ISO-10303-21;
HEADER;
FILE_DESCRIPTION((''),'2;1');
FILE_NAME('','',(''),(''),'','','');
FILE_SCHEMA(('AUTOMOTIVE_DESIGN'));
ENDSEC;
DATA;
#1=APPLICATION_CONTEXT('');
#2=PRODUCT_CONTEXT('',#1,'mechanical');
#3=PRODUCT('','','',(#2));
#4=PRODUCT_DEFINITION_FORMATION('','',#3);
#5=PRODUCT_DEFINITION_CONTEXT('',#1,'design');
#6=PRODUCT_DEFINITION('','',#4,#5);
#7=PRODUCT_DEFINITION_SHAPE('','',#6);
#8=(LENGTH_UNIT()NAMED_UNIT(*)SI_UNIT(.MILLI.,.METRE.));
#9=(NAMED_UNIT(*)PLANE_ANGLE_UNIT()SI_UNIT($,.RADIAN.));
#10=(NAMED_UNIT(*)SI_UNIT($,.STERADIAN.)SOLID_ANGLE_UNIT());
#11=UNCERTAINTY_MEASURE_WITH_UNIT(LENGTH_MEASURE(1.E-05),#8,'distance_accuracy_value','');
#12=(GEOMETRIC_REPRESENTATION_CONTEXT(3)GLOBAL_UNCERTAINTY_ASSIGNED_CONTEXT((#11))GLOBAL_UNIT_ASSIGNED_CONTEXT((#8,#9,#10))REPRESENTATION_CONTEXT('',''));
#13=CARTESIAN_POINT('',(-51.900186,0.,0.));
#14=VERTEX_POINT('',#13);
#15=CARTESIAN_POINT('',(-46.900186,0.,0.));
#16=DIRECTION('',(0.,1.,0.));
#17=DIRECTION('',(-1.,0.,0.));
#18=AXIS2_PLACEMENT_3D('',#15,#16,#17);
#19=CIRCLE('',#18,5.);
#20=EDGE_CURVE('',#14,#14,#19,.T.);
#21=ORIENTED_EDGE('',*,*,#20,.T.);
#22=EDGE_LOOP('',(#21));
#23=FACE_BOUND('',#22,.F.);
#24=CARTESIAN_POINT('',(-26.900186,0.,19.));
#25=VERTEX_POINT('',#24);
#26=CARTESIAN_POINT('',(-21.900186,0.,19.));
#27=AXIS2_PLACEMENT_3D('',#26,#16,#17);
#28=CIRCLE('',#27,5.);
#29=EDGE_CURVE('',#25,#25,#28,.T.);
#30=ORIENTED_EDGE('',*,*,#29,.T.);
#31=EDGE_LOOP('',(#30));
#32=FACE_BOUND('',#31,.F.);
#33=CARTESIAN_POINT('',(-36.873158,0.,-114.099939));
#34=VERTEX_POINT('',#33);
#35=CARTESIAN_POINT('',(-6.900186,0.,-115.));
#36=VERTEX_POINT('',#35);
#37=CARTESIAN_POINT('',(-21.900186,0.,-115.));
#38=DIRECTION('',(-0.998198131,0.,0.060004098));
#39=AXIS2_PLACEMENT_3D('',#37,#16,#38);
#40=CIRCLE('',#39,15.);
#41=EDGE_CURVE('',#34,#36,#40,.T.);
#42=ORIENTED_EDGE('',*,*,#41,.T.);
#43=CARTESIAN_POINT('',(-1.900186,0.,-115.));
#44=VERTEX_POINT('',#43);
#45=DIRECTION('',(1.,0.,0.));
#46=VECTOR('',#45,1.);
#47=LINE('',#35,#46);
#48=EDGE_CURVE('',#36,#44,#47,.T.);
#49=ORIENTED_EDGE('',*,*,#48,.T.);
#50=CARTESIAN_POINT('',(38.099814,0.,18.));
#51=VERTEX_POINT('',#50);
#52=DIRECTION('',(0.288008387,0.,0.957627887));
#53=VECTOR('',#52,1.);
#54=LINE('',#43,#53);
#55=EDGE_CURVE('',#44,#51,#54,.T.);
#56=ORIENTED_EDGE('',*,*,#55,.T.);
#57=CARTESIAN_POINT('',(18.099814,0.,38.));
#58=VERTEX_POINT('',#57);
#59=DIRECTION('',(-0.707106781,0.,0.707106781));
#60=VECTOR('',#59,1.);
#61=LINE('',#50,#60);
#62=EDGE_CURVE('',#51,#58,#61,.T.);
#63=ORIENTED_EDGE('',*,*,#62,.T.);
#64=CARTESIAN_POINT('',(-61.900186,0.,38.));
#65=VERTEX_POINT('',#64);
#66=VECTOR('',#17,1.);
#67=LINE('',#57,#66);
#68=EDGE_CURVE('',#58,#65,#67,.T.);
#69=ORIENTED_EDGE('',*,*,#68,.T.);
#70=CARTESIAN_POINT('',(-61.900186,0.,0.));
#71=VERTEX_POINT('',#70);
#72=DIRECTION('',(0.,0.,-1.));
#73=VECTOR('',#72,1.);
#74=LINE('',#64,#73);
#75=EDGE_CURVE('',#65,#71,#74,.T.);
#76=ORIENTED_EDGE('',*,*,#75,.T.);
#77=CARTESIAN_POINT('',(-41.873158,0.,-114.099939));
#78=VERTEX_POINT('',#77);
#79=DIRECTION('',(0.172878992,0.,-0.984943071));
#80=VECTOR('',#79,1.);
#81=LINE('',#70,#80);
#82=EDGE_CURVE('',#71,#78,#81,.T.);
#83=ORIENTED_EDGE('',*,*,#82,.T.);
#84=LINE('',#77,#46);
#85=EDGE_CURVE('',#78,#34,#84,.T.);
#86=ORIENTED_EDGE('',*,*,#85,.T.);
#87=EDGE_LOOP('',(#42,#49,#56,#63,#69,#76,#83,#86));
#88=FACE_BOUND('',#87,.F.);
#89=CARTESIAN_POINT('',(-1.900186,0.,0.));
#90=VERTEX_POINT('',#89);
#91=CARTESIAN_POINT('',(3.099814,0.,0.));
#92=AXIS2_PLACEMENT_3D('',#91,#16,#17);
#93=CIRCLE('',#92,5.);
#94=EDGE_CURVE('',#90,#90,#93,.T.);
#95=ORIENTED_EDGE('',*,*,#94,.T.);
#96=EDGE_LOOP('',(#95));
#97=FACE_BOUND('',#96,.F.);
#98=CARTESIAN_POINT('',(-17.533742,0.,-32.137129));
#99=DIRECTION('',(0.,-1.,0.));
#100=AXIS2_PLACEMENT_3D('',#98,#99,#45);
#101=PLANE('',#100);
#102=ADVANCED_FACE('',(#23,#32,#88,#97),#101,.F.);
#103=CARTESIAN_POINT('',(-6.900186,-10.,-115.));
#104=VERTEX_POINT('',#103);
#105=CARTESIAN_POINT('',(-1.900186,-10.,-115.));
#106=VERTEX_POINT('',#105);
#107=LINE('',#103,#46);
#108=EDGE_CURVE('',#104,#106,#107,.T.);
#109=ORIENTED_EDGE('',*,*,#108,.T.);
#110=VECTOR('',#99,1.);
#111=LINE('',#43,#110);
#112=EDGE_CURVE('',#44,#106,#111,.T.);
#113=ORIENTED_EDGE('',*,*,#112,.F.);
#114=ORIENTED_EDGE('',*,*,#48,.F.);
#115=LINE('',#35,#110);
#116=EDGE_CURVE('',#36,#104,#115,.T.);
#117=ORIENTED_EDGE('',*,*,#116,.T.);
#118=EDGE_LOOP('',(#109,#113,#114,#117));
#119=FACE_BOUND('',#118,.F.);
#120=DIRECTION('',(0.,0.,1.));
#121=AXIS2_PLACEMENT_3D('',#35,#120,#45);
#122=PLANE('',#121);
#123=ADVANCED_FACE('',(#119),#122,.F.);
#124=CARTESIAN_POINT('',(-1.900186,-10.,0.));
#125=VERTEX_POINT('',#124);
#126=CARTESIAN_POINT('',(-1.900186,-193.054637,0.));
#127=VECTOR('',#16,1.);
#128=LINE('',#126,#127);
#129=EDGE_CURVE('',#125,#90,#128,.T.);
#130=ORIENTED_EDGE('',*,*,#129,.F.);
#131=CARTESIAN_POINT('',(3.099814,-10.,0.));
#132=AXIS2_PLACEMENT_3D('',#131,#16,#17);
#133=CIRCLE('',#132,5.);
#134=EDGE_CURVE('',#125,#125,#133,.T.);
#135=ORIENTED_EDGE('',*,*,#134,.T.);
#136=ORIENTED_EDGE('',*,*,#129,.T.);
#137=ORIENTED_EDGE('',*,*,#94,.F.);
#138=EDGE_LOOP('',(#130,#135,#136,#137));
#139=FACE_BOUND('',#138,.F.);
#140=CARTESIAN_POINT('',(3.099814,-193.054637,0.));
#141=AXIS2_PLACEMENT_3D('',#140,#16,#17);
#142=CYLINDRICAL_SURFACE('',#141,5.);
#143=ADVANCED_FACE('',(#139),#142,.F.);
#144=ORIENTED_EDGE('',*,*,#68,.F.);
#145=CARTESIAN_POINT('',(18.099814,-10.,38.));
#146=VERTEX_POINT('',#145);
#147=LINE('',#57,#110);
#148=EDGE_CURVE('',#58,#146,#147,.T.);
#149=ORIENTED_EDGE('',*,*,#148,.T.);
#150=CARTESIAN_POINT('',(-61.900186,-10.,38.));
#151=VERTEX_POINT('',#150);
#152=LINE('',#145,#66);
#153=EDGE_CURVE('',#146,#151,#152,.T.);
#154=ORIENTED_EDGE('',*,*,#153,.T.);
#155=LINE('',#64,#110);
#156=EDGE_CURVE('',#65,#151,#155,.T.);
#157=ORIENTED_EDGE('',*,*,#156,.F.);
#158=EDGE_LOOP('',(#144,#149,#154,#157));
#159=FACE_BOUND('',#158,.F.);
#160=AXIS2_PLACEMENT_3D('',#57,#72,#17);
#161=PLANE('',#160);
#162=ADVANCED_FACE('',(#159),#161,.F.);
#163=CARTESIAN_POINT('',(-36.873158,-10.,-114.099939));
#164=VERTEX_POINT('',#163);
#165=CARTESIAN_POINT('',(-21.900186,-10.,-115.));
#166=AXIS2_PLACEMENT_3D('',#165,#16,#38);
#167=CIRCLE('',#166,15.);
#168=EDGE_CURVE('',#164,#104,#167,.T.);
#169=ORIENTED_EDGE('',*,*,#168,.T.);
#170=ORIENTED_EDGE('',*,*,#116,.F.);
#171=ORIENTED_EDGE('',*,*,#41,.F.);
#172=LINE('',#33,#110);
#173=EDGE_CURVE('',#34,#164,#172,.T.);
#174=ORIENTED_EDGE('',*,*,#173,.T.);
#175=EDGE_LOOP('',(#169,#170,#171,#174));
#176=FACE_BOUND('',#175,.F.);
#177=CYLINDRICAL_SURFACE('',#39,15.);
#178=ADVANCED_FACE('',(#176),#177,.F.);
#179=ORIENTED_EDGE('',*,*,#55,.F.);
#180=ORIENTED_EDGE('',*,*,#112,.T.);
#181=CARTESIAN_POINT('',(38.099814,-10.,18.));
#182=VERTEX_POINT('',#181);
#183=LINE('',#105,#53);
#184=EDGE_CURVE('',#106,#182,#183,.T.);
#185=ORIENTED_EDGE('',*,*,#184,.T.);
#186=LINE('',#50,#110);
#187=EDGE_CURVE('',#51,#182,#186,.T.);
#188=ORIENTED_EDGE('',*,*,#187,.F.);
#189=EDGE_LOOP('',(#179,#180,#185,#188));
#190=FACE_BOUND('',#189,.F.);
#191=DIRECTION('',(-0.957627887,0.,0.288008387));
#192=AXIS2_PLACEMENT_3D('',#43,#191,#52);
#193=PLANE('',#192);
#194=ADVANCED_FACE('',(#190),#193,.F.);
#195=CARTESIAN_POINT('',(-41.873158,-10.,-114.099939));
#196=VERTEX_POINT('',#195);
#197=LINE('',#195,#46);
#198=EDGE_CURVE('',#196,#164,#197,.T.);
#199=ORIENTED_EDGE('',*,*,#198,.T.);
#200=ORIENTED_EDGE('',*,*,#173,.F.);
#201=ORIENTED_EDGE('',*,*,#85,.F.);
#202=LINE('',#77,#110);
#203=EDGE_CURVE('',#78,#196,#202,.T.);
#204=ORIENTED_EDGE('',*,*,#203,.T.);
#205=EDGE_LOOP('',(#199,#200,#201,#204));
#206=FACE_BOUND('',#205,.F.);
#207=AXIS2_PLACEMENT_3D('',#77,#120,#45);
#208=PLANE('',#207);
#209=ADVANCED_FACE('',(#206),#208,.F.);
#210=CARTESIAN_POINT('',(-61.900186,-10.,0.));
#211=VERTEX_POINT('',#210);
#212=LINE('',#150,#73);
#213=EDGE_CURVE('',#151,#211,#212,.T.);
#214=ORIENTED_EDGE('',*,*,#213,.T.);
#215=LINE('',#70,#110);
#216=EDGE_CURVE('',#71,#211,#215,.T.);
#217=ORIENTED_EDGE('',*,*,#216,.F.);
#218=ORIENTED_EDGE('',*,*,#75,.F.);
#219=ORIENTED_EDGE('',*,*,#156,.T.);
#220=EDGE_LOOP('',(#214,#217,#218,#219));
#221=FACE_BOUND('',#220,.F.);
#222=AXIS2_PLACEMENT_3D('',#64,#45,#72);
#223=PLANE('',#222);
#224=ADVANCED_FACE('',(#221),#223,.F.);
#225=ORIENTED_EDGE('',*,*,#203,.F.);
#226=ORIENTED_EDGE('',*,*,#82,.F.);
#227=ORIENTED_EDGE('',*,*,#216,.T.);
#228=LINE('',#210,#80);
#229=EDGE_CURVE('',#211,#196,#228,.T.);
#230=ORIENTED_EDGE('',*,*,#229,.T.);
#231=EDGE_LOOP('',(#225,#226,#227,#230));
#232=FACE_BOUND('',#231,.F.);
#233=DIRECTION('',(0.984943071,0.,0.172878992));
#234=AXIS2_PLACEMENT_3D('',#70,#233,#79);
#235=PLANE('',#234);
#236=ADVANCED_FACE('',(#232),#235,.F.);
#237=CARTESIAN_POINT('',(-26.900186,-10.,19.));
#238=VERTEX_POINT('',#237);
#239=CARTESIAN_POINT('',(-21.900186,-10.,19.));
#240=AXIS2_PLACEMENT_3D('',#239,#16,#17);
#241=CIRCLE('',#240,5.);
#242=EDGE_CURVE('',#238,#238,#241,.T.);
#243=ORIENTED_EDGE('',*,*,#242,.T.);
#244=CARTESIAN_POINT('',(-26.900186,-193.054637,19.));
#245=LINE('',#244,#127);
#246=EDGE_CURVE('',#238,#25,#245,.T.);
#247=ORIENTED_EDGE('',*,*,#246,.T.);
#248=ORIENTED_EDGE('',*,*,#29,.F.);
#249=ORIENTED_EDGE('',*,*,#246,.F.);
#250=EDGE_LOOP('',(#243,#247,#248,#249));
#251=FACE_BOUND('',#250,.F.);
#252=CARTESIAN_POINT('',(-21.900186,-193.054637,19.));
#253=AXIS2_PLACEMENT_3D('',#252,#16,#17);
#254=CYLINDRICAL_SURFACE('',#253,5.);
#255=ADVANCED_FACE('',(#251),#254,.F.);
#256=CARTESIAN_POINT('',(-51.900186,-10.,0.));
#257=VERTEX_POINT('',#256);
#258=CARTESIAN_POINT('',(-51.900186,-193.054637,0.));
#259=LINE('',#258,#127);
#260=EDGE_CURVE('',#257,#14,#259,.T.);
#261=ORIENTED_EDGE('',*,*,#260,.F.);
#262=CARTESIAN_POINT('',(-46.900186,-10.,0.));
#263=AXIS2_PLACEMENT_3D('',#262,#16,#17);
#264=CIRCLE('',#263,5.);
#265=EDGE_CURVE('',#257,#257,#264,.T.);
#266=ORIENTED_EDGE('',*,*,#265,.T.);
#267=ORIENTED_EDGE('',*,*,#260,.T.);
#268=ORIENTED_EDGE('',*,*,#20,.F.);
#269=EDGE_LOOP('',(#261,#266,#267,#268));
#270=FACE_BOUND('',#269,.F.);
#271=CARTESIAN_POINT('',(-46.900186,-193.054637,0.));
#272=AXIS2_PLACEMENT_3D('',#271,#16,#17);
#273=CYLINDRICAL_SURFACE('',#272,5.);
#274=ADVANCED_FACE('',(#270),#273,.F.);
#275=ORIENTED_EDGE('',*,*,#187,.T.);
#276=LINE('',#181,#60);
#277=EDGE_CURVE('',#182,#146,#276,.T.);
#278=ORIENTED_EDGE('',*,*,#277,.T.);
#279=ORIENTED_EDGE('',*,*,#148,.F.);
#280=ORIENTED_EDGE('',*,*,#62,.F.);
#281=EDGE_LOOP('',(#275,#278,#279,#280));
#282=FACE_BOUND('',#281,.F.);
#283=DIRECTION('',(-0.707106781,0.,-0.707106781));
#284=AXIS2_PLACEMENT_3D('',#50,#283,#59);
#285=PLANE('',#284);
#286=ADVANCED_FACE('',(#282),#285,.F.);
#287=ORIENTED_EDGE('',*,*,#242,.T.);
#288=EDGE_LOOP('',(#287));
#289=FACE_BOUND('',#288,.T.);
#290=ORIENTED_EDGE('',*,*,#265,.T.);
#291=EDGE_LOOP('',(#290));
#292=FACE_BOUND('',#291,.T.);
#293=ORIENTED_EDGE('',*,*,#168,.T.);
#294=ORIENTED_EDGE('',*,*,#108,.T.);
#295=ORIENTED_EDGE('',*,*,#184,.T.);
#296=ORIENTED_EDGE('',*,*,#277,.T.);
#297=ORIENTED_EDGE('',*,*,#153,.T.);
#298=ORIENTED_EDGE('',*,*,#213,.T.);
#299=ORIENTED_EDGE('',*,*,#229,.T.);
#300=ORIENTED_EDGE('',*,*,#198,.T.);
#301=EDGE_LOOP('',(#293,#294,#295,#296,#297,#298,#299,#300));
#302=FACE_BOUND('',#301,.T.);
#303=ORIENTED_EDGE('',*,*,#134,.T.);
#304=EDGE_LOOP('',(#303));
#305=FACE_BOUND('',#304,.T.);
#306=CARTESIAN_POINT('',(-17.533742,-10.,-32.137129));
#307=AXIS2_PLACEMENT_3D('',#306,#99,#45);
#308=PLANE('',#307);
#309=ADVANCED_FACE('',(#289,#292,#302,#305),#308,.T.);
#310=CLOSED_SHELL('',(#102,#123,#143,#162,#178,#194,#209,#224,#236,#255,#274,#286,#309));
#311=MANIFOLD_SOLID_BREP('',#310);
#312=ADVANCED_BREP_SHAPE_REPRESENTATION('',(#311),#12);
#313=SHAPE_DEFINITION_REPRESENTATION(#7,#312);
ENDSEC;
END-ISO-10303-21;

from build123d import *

# Parameters (mm, degrees)
F1_DEPTH = 10
F3_D     = 10


with BuildPart() as f1:
    # F0 (on Front) → F1 (new body)
    with BuildSketch(Plane.XZ):
        with BuildLine():
            Line((18.099814, 38), (-61.900186, 38))
            Line((-61.900186, 38), (-61.900186, 0))
            Line((-61.900186, 0), (-41.873158, -114.099939))
            Line((-41.873158, -114.099939), (-36.873158, -114.099939))
            ThreePointArc((-36.873158, -114.099939), (-21.449952, -100.006759), (-6.900186, -115))
            Line((-6.900186, -115), (-1.900186, -115))
            Line((-1.900186, -115), (38.099814, 18))
            Line((38.099814, 18), (18.099814, 38))
        make_face()
    extrude(amount=F1_DEPTH)

    # F3 (through all)
    with Locations(Plane.XZ.offset(10)):
        with Locations((-46.900186, 0), (-21.900186, 19), (3.099814, 0)):
            Hole(F3_D / 2)


solid = f1.part
